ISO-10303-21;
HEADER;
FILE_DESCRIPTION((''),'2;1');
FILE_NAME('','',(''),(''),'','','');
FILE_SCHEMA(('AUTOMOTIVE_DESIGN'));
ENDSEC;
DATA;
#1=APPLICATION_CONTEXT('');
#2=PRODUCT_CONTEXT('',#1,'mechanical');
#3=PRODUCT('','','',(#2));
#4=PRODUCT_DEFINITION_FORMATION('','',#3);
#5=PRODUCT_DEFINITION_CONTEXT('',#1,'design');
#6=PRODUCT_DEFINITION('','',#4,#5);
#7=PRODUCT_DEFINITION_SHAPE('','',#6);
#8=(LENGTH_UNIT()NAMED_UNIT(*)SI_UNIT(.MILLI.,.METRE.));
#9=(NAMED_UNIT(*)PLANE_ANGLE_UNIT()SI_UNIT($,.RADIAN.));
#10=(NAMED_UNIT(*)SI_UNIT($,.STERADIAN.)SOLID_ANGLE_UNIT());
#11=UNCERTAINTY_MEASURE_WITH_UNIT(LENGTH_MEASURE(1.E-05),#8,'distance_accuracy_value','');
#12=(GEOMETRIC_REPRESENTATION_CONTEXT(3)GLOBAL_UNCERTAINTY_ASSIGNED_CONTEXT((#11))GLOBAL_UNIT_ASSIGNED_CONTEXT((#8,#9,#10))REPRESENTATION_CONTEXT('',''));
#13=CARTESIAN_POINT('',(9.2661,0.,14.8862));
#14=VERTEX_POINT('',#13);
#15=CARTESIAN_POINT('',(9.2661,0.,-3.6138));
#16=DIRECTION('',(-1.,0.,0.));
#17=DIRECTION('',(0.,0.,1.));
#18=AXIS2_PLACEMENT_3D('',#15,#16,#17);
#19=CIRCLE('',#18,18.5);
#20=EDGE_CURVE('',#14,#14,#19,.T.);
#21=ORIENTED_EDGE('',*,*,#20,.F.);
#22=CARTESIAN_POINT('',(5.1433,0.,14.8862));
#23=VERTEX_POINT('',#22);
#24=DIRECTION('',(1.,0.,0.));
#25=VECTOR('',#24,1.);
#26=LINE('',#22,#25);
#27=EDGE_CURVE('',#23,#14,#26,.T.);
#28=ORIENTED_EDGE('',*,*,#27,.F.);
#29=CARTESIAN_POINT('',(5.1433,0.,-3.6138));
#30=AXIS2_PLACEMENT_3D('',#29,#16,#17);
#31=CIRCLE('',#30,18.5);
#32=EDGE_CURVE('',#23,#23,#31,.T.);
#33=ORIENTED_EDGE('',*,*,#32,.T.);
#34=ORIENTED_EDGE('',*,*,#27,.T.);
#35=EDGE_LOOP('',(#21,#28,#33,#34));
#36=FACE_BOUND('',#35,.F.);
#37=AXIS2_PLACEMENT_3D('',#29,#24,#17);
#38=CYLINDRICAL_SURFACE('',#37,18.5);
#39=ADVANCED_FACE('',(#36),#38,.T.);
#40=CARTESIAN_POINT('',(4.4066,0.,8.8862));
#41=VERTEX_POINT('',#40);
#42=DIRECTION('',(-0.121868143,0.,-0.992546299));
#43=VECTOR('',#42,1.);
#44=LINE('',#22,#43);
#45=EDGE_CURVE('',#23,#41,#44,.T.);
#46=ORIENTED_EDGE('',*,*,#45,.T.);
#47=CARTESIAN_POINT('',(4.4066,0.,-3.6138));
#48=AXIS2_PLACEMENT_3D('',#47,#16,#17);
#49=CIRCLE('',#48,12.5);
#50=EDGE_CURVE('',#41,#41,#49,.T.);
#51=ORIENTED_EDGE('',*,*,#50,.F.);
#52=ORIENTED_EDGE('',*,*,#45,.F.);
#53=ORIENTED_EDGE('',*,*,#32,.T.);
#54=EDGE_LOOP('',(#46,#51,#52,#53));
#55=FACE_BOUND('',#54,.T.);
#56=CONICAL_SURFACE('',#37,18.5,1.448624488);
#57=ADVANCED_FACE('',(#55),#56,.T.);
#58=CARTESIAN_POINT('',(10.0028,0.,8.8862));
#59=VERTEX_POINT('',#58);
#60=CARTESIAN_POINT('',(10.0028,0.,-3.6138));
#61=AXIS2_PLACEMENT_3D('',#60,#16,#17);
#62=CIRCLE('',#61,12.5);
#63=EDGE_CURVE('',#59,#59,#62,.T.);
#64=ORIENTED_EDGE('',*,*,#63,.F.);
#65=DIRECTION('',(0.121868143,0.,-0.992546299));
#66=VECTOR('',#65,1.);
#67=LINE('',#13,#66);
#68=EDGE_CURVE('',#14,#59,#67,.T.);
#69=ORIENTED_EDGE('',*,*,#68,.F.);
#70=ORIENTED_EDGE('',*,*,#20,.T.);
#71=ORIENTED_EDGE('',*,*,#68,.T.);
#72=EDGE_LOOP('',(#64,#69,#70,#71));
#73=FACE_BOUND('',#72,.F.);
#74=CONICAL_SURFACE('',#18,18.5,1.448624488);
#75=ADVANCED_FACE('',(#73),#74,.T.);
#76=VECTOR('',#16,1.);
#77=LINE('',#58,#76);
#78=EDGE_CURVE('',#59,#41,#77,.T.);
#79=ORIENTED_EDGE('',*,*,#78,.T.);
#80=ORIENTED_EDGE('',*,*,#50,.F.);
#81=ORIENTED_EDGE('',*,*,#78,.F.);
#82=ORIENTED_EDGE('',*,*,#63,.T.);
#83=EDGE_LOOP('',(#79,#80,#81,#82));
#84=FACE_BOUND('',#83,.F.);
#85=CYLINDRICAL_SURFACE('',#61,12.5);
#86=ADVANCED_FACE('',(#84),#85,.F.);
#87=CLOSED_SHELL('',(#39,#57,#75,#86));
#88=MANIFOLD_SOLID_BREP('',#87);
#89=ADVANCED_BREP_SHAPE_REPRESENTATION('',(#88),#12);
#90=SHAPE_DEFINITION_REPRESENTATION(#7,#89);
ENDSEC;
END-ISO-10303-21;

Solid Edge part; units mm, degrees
sketch "Sketch1" plane through (0, 0, 0) normal (0, -1, 0) x (1, 0, 0)
  line L0 (9.2661, 14.8862) -> (10.0028, 8.8862)
  line L1 (10.0028, 8.8862) -> (4.4066, 8.8862)
  line L2 (5.1433, 14.8862) -> (4.4066, 8.8862)
  line L3 (5.1433, 14.8862) -> (9.2661, 14.8862)
revolve "RevolvedProtrusion1" add sketch "Sketch1" angle 360 about axis through (7.2047, 0, -3.6138) along (-1, 0, 0)
